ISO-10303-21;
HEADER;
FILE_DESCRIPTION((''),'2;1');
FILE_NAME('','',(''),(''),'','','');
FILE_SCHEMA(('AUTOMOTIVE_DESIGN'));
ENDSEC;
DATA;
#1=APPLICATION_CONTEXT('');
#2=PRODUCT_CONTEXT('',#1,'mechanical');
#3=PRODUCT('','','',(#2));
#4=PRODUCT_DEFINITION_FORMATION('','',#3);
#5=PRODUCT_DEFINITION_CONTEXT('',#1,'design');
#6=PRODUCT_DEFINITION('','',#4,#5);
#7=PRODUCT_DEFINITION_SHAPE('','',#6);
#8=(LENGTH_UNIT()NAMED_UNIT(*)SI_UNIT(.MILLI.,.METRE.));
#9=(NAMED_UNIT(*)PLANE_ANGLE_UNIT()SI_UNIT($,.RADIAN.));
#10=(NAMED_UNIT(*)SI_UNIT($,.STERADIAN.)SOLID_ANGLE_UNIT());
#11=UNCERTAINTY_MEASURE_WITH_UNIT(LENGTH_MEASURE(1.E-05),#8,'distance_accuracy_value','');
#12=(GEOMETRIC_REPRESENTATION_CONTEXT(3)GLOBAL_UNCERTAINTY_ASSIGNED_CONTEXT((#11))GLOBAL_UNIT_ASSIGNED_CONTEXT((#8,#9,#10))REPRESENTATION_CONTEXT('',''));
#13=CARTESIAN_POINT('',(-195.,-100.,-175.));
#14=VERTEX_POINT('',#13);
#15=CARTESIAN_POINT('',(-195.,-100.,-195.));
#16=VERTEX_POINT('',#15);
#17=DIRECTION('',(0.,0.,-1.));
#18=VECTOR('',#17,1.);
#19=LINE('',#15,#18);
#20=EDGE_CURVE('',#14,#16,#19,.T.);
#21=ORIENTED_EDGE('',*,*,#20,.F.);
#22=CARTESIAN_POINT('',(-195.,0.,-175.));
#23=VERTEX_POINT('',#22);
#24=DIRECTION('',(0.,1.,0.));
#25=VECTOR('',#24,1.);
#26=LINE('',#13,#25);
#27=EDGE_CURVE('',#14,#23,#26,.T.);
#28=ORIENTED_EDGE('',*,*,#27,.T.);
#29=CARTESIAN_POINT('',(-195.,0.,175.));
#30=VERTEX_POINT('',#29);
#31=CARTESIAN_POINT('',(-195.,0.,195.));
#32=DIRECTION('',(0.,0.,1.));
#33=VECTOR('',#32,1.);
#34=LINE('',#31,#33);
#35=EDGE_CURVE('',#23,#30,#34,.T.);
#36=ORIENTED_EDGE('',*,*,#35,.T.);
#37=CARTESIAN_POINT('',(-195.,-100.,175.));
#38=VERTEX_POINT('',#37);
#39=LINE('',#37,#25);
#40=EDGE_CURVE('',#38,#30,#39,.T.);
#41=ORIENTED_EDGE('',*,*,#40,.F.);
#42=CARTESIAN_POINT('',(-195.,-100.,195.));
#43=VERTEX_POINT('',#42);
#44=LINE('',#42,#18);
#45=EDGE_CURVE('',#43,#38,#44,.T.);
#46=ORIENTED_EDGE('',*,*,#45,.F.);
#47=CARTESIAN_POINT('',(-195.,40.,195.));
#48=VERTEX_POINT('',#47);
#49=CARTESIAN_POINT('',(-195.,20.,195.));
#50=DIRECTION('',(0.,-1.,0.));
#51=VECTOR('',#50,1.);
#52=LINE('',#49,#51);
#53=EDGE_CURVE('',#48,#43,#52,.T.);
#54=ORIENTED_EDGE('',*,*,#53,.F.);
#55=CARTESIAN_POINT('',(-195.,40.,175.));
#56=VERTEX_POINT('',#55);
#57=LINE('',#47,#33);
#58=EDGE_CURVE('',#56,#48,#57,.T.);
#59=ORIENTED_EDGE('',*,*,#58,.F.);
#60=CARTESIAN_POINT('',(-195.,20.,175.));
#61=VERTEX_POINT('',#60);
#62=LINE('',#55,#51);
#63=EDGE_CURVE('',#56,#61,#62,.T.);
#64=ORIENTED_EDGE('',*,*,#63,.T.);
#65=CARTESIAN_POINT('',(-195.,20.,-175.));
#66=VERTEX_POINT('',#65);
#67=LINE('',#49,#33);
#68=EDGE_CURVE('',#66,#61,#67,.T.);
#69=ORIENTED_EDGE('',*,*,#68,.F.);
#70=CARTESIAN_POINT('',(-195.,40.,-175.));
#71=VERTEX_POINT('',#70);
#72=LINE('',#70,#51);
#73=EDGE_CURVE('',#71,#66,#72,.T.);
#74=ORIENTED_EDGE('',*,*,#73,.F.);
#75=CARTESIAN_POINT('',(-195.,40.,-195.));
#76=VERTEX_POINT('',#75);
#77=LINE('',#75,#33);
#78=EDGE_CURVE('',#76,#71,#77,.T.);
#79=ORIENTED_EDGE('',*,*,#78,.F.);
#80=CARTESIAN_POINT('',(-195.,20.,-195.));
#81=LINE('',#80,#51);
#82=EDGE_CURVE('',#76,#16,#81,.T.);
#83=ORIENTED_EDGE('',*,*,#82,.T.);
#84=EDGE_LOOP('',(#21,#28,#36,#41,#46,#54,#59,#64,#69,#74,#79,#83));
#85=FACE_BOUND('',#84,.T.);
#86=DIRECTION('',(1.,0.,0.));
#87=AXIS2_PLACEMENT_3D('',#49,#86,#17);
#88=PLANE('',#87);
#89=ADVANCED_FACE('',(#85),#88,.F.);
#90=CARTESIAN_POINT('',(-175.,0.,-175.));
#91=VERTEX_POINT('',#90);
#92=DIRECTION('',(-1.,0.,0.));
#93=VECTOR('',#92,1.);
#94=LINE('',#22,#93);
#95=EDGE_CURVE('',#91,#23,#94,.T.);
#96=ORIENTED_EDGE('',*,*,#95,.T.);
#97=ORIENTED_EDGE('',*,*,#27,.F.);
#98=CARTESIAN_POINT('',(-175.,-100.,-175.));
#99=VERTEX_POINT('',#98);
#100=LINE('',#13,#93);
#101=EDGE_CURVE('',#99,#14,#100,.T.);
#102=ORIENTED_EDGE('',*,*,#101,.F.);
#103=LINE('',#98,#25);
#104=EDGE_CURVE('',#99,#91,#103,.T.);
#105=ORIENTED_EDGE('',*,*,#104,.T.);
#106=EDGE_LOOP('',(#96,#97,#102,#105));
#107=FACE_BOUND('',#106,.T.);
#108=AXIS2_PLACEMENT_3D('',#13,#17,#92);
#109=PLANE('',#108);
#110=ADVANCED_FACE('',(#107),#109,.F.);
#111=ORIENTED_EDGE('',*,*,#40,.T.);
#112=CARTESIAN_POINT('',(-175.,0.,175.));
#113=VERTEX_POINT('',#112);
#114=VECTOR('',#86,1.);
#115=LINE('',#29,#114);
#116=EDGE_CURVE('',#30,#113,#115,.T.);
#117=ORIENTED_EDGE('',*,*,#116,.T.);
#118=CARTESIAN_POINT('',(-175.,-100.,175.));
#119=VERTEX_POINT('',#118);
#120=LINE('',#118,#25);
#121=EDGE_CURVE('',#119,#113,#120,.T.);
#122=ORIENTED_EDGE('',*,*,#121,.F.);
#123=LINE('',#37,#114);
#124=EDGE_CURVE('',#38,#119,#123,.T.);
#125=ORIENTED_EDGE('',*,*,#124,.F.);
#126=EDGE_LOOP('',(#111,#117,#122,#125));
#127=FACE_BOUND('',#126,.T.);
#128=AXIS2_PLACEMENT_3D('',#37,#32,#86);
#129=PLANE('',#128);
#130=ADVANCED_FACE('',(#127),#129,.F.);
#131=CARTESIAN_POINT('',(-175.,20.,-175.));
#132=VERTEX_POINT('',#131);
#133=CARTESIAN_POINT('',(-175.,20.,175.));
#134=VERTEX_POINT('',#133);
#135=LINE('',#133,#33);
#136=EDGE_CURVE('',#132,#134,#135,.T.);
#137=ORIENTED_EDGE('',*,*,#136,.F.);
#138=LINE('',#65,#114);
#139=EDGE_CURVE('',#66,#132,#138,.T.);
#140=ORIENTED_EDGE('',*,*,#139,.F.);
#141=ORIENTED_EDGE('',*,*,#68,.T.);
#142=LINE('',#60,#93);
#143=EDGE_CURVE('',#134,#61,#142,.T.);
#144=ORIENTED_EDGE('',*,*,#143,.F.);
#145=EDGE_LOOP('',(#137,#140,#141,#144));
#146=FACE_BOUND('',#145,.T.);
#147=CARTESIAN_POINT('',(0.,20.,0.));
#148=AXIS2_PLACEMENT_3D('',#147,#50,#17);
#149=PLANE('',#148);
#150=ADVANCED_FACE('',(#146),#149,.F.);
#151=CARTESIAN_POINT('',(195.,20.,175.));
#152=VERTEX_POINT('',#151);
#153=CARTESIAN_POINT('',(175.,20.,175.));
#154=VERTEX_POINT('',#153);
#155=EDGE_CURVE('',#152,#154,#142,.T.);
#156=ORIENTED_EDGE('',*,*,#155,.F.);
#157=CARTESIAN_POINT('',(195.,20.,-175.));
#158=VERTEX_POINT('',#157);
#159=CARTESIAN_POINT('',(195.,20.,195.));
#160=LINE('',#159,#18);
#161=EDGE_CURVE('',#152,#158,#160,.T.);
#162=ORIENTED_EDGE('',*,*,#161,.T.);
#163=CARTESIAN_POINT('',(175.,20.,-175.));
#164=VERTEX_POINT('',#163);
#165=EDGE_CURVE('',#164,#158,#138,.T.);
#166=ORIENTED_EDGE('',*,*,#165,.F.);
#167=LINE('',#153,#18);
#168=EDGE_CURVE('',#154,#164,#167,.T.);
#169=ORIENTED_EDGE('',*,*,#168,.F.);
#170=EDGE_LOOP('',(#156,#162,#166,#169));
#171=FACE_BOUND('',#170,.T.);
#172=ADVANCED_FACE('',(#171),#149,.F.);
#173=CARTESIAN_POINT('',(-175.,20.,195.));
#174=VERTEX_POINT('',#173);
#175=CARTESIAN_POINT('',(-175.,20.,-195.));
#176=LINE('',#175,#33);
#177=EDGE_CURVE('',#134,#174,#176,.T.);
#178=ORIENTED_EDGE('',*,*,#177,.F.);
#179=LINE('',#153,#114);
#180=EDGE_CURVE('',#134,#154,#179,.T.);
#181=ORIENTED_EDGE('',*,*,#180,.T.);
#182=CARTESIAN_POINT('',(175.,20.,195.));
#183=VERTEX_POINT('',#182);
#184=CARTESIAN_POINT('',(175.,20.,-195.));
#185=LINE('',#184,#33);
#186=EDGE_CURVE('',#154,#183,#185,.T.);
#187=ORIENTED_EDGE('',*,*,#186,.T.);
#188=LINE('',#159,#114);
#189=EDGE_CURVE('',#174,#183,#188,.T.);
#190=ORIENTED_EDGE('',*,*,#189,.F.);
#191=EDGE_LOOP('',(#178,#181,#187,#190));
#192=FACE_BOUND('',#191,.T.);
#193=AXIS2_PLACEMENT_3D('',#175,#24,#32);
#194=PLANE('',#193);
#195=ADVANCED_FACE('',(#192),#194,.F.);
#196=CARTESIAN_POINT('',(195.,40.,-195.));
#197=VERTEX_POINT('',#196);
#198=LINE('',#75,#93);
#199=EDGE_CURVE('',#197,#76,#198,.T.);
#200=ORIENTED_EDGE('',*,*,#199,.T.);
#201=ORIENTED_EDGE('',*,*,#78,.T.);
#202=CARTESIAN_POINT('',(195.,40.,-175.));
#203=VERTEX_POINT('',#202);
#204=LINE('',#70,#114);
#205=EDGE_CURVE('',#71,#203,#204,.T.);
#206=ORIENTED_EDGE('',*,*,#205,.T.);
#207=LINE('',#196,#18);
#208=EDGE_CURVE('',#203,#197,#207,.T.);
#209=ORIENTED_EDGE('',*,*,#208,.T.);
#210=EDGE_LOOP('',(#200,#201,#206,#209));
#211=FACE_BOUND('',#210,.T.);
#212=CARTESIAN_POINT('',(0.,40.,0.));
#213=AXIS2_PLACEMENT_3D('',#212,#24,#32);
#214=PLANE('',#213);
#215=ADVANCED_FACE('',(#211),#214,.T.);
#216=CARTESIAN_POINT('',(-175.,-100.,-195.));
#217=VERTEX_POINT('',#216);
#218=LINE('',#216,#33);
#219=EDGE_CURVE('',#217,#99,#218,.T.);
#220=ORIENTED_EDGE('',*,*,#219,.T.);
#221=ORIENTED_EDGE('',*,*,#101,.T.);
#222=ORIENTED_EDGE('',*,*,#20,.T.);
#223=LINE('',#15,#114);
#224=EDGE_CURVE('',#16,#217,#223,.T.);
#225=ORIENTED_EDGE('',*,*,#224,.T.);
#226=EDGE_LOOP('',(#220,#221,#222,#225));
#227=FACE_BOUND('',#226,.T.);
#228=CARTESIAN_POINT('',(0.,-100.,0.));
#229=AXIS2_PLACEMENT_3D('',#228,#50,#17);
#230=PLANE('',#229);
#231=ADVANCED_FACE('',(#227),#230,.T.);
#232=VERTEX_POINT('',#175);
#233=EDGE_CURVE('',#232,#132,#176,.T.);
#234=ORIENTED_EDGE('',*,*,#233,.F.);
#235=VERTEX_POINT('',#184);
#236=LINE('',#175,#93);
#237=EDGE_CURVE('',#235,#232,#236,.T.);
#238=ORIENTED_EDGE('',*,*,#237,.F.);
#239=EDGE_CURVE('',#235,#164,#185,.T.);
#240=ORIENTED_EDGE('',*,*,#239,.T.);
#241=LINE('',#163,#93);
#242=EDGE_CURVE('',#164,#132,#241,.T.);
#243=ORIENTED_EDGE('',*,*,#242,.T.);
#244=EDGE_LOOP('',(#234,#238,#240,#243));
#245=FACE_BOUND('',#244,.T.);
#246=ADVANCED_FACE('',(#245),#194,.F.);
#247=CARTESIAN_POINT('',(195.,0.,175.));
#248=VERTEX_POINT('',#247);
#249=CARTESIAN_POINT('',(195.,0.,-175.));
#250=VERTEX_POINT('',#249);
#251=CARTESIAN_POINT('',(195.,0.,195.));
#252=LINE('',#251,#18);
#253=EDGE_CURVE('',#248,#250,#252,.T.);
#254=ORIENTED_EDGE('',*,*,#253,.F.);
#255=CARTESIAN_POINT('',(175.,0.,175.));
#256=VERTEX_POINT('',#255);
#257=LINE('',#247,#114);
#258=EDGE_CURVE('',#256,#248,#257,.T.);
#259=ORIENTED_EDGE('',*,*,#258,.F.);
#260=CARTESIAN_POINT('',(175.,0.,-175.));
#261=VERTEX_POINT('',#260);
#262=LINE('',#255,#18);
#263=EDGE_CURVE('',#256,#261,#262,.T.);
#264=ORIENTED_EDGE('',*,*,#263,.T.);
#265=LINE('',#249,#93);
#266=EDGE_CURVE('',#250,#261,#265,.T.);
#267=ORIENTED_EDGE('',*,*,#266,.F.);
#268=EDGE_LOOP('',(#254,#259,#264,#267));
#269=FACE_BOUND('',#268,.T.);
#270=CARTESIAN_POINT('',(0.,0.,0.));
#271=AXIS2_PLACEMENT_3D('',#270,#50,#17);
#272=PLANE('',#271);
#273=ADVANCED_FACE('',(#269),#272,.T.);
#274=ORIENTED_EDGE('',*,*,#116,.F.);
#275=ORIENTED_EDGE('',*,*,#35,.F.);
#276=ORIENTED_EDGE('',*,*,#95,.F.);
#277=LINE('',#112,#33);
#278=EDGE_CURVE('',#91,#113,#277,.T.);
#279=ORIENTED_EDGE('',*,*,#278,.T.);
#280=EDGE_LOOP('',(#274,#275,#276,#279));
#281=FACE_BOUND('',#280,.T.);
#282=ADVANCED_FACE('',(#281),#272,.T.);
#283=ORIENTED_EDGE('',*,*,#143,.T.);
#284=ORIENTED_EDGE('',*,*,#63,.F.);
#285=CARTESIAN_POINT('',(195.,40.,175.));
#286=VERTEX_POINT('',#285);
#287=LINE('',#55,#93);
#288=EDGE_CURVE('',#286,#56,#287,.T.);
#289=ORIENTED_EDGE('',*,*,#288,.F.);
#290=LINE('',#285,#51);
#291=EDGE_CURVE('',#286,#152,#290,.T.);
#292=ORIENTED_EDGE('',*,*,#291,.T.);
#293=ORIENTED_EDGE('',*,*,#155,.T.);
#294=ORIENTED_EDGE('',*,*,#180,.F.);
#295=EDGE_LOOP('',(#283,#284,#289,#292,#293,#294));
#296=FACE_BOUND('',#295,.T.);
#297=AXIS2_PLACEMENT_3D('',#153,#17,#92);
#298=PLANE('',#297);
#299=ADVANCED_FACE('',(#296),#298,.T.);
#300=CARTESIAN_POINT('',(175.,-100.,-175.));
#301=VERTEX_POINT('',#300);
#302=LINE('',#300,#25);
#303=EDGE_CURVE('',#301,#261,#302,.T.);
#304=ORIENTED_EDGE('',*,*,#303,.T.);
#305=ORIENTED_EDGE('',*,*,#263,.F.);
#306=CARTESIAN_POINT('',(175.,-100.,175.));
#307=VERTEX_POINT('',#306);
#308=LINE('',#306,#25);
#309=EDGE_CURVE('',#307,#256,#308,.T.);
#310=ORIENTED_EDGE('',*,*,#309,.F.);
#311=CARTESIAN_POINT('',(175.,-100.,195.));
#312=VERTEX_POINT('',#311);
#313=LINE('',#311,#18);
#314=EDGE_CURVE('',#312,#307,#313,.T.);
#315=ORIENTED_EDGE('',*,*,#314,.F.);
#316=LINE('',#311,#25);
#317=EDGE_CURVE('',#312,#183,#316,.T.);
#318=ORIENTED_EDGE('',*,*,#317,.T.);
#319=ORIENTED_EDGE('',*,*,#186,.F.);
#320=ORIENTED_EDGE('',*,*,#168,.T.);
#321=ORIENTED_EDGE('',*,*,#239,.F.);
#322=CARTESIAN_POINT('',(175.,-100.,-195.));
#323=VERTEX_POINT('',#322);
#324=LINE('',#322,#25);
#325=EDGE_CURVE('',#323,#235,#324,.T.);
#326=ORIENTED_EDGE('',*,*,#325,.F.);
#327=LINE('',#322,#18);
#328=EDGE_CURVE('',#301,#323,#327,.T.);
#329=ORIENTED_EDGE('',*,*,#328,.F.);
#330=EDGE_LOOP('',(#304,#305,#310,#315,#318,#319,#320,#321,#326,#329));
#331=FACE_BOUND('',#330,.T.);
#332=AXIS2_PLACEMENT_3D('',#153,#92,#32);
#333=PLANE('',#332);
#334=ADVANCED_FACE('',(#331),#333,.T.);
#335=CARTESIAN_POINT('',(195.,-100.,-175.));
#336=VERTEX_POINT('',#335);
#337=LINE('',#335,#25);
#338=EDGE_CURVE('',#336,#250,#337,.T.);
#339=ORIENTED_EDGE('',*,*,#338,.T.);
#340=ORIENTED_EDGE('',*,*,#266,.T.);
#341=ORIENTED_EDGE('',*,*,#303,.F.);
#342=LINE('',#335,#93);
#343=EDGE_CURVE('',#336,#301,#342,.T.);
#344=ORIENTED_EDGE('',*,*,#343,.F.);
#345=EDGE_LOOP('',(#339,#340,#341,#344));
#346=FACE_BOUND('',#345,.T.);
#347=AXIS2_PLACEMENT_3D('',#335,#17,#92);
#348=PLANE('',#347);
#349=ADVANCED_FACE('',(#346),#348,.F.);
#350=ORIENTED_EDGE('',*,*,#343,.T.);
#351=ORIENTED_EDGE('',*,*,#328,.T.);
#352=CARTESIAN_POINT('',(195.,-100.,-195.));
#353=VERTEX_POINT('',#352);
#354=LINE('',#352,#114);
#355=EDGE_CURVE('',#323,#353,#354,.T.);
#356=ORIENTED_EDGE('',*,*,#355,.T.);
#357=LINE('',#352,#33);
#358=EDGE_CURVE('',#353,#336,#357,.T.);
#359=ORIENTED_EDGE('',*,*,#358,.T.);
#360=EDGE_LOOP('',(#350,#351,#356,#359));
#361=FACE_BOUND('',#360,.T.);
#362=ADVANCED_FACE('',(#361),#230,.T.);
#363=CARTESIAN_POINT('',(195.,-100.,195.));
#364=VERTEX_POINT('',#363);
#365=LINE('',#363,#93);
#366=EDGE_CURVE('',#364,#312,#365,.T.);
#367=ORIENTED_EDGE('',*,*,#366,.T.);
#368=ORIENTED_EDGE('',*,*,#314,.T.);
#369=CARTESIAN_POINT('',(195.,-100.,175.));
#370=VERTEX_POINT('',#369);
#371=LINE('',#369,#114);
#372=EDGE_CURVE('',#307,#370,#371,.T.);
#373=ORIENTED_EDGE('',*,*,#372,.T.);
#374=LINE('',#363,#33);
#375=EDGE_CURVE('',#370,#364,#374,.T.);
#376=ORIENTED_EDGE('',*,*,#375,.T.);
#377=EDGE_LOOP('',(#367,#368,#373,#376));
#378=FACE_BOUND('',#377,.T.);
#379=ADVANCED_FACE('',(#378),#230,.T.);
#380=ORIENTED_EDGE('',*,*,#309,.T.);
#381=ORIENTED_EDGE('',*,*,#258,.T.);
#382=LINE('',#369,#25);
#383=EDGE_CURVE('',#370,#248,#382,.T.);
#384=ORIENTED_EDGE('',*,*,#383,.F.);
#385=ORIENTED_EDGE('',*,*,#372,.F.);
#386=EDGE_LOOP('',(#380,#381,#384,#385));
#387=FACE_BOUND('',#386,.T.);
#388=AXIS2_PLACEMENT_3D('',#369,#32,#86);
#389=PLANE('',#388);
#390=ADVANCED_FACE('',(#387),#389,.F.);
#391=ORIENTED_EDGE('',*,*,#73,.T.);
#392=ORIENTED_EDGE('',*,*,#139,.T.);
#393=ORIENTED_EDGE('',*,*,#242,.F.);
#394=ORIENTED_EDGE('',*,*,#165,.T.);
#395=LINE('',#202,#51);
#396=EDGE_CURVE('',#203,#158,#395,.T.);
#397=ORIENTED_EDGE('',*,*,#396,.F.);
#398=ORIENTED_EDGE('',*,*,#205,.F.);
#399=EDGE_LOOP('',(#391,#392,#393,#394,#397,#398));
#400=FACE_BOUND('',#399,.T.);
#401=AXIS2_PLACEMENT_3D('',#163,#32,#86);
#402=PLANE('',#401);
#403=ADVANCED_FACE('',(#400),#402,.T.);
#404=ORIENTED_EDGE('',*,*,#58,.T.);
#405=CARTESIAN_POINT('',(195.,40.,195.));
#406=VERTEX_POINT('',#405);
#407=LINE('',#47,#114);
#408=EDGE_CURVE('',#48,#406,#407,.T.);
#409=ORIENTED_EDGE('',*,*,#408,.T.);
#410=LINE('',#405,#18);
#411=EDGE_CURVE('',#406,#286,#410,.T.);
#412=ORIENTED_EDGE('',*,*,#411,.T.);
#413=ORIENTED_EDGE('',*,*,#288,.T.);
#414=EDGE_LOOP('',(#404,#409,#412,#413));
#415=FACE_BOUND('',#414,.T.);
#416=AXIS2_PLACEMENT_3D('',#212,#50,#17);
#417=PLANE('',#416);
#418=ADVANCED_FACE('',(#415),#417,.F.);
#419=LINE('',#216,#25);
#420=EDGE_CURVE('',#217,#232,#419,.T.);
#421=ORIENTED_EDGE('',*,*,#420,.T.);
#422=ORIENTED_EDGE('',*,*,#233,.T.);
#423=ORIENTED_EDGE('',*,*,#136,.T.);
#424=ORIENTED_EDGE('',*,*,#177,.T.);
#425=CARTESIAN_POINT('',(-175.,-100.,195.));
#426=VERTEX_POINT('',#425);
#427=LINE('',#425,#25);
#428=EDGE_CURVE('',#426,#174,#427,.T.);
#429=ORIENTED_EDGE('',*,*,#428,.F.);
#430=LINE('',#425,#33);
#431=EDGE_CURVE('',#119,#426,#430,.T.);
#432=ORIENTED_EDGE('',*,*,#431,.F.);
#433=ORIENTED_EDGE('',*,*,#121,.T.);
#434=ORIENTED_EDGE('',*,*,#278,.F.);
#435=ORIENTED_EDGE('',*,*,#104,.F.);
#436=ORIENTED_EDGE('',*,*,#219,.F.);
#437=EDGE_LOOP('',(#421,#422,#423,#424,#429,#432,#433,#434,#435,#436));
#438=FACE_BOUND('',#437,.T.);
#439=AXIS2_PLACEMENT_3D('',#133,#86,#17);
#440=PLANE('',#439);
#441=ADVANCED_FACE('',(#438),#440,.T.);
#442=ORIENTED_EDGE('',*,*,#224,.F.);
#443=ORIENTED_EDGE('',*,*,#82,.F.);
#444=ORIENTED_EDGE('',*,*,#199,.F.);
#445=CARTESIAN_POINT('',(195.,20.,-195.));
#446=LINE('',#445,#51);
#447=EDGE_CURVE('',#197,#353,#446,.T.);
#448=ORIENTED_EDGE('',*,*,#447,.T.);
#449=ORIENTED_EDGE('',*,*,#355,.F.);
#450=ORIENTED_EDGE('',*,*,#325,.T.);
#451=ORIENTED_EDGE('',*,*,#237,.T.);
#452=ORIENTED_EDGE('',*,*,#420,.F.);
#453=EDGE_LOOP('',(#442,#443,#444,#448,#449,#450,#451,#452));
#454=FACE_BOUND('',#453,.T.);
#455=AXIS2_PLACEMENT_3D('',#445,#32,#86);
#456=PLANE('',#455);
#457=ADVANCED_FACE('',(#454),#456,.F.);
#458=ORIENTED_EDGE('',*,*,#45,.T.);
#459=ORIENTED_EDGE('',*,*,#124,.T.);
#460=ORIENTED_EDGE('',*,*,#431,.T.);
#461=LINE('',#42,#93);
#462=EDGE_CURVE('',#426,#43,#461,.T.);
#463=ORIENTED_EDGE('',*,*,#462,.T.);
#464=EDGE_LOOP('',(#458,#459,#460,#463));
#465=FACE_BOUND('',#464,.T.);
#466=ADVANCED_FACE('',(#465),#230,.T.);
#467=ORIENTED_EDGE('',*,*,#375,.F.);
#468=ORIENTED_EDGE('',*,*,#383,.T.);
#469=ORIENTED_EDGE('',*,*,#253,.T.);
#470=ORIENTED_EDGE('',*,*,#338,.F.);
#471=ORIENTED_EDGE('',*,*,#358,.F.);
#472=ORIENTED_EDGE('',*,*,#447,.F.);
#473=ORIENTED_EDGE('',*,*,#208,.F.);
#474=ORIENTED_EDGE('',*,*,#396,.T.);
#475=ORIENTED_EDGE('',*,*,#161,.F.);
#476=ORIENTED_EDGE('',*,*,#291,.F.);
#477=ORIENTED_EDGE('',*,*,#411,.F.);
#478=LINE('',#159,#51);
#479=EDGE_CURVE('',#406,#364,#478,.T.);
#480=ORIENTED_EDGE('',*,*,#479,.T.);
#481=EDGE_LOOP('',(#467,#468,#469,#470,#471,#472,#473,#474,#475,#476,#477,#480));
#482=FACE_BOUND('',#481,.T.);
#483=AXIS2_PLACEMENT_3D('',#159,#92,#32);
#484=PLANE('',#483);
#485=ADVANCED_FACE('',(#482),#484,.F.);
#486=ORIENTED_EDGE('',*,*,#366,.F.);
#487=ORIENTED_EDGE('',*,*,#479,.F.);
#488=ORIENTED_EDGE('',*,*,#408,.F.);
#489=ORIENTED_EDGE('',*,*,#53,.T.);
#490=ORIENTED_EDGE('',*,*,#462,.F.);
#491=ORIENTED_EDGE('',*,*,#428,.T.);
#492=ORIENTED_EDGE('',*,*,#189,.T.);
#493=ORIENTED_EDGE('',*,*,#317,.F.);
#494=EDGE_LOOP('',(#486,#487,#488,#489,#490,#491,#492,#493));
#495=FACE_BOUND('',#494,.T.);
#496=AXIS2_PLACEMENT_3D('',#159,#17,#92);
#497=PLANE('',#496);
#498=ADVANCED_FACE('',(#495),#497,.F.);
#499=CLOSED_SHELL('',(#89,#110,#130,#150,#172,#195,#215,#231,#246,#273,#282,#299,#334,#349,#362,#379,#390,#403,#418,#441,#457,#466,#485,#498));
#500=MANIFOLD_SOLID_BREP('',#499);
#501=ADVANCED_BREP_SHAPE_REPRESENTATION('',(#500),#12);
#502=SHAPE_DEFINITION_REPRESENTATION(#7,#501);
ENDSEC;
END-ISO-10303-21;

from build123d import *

# Parameters (mm, degrees)
SKETCH1_W               = 390
SKETCH1_H               = 390
SKETCH1_W_2             = 350
SKETCH1_H_2             = 350
BOSS_EXTRUDE1_DEPTH     = 20
SKETCH2_W               = 20
SKETCH2_H               = 20
BOSS_EXTRUDE2_DEPTH     = 100
SKETCH4_W               = 390
SKETCH4_H               = 20
BOSS_EXTRUDE3_DEPTH     = 20
CUT_EXTRUDE1_DEPTH      = 448.353327919
CUT_EXTRUDE1_DEPTH_BACK = 448.353327919
SKETCH5_W               = 350
SKETCH5_H               = 20


with BuildPart() as part:
    # Sketch1 → Boss-Extrude1 (new body)
    with BuildSketch(Plane(origin=(0, 0, 0), x_dir=(1, 0, 0), z_dir=(0, 1, 0))):
        Rectangle(SKETCH1_W, SKETCH1_H)
        Rectangle(SKETCH1_W_2, SKETCH1_H_2, mode=Mode.SUBTRACT)
    extrude(amount=BOSS_EXTRUDE1_DEPTH)

    # Sketch2 → Boss-Extrude2 (add)
    with BuildSketch(Plane.XZ):
        with Locations((-185, 185)):
            Rectangle(SKETCH2_W, SKETCH2_H)
        with Locations((185, 185)):
            Rectangle(SKETCH2_W, SKETCH2_H)
        with Locations((185, -185)):
            Rectangle(SKETCH2_W, SKETCH2_H)
        with Locations((-185, -185)):
            Rectangle(SKETCH2_W, SKETCH2_H)
    extrude(amount=BOSS_EXTRUDE2_DEPTH)

    # Sketch4 → Boss-Extrude3 (add)
    with BuildSketch(Plane(origin=(0, 20, 0), x_dir=(1, 0, 0), z_dir=(0, 1, 0))):
        with Locations((0, -185)):
            Rectangle(SKETCH4_W, SKETCH4_H)
        with Locations((0, 185)):
            Rectangle(SKETCH4_W, SKETCH4_H)
    extrude(amount=BOSS_EXTRUDE3_DEPTH)

    # Sketch5 → Cut-Extrude1 (cut, two sides: drawn at the far end of the back side and taken through both)
    with BuildSketch(Plane.XY.offset(195).offset(-CUT_EXTRUDE1_DEPTH_BACK)):
        with Locations((0, 10)):
            Rectangle(SKETCH5_W, SKETCH5_H)
    extrude(amount=CUT_EXTRUDE1_DEPTH + CUT_EXTRUDE1_DEPTH_BACK, mode=Mode.SUBTRACT)


solid = part.part
